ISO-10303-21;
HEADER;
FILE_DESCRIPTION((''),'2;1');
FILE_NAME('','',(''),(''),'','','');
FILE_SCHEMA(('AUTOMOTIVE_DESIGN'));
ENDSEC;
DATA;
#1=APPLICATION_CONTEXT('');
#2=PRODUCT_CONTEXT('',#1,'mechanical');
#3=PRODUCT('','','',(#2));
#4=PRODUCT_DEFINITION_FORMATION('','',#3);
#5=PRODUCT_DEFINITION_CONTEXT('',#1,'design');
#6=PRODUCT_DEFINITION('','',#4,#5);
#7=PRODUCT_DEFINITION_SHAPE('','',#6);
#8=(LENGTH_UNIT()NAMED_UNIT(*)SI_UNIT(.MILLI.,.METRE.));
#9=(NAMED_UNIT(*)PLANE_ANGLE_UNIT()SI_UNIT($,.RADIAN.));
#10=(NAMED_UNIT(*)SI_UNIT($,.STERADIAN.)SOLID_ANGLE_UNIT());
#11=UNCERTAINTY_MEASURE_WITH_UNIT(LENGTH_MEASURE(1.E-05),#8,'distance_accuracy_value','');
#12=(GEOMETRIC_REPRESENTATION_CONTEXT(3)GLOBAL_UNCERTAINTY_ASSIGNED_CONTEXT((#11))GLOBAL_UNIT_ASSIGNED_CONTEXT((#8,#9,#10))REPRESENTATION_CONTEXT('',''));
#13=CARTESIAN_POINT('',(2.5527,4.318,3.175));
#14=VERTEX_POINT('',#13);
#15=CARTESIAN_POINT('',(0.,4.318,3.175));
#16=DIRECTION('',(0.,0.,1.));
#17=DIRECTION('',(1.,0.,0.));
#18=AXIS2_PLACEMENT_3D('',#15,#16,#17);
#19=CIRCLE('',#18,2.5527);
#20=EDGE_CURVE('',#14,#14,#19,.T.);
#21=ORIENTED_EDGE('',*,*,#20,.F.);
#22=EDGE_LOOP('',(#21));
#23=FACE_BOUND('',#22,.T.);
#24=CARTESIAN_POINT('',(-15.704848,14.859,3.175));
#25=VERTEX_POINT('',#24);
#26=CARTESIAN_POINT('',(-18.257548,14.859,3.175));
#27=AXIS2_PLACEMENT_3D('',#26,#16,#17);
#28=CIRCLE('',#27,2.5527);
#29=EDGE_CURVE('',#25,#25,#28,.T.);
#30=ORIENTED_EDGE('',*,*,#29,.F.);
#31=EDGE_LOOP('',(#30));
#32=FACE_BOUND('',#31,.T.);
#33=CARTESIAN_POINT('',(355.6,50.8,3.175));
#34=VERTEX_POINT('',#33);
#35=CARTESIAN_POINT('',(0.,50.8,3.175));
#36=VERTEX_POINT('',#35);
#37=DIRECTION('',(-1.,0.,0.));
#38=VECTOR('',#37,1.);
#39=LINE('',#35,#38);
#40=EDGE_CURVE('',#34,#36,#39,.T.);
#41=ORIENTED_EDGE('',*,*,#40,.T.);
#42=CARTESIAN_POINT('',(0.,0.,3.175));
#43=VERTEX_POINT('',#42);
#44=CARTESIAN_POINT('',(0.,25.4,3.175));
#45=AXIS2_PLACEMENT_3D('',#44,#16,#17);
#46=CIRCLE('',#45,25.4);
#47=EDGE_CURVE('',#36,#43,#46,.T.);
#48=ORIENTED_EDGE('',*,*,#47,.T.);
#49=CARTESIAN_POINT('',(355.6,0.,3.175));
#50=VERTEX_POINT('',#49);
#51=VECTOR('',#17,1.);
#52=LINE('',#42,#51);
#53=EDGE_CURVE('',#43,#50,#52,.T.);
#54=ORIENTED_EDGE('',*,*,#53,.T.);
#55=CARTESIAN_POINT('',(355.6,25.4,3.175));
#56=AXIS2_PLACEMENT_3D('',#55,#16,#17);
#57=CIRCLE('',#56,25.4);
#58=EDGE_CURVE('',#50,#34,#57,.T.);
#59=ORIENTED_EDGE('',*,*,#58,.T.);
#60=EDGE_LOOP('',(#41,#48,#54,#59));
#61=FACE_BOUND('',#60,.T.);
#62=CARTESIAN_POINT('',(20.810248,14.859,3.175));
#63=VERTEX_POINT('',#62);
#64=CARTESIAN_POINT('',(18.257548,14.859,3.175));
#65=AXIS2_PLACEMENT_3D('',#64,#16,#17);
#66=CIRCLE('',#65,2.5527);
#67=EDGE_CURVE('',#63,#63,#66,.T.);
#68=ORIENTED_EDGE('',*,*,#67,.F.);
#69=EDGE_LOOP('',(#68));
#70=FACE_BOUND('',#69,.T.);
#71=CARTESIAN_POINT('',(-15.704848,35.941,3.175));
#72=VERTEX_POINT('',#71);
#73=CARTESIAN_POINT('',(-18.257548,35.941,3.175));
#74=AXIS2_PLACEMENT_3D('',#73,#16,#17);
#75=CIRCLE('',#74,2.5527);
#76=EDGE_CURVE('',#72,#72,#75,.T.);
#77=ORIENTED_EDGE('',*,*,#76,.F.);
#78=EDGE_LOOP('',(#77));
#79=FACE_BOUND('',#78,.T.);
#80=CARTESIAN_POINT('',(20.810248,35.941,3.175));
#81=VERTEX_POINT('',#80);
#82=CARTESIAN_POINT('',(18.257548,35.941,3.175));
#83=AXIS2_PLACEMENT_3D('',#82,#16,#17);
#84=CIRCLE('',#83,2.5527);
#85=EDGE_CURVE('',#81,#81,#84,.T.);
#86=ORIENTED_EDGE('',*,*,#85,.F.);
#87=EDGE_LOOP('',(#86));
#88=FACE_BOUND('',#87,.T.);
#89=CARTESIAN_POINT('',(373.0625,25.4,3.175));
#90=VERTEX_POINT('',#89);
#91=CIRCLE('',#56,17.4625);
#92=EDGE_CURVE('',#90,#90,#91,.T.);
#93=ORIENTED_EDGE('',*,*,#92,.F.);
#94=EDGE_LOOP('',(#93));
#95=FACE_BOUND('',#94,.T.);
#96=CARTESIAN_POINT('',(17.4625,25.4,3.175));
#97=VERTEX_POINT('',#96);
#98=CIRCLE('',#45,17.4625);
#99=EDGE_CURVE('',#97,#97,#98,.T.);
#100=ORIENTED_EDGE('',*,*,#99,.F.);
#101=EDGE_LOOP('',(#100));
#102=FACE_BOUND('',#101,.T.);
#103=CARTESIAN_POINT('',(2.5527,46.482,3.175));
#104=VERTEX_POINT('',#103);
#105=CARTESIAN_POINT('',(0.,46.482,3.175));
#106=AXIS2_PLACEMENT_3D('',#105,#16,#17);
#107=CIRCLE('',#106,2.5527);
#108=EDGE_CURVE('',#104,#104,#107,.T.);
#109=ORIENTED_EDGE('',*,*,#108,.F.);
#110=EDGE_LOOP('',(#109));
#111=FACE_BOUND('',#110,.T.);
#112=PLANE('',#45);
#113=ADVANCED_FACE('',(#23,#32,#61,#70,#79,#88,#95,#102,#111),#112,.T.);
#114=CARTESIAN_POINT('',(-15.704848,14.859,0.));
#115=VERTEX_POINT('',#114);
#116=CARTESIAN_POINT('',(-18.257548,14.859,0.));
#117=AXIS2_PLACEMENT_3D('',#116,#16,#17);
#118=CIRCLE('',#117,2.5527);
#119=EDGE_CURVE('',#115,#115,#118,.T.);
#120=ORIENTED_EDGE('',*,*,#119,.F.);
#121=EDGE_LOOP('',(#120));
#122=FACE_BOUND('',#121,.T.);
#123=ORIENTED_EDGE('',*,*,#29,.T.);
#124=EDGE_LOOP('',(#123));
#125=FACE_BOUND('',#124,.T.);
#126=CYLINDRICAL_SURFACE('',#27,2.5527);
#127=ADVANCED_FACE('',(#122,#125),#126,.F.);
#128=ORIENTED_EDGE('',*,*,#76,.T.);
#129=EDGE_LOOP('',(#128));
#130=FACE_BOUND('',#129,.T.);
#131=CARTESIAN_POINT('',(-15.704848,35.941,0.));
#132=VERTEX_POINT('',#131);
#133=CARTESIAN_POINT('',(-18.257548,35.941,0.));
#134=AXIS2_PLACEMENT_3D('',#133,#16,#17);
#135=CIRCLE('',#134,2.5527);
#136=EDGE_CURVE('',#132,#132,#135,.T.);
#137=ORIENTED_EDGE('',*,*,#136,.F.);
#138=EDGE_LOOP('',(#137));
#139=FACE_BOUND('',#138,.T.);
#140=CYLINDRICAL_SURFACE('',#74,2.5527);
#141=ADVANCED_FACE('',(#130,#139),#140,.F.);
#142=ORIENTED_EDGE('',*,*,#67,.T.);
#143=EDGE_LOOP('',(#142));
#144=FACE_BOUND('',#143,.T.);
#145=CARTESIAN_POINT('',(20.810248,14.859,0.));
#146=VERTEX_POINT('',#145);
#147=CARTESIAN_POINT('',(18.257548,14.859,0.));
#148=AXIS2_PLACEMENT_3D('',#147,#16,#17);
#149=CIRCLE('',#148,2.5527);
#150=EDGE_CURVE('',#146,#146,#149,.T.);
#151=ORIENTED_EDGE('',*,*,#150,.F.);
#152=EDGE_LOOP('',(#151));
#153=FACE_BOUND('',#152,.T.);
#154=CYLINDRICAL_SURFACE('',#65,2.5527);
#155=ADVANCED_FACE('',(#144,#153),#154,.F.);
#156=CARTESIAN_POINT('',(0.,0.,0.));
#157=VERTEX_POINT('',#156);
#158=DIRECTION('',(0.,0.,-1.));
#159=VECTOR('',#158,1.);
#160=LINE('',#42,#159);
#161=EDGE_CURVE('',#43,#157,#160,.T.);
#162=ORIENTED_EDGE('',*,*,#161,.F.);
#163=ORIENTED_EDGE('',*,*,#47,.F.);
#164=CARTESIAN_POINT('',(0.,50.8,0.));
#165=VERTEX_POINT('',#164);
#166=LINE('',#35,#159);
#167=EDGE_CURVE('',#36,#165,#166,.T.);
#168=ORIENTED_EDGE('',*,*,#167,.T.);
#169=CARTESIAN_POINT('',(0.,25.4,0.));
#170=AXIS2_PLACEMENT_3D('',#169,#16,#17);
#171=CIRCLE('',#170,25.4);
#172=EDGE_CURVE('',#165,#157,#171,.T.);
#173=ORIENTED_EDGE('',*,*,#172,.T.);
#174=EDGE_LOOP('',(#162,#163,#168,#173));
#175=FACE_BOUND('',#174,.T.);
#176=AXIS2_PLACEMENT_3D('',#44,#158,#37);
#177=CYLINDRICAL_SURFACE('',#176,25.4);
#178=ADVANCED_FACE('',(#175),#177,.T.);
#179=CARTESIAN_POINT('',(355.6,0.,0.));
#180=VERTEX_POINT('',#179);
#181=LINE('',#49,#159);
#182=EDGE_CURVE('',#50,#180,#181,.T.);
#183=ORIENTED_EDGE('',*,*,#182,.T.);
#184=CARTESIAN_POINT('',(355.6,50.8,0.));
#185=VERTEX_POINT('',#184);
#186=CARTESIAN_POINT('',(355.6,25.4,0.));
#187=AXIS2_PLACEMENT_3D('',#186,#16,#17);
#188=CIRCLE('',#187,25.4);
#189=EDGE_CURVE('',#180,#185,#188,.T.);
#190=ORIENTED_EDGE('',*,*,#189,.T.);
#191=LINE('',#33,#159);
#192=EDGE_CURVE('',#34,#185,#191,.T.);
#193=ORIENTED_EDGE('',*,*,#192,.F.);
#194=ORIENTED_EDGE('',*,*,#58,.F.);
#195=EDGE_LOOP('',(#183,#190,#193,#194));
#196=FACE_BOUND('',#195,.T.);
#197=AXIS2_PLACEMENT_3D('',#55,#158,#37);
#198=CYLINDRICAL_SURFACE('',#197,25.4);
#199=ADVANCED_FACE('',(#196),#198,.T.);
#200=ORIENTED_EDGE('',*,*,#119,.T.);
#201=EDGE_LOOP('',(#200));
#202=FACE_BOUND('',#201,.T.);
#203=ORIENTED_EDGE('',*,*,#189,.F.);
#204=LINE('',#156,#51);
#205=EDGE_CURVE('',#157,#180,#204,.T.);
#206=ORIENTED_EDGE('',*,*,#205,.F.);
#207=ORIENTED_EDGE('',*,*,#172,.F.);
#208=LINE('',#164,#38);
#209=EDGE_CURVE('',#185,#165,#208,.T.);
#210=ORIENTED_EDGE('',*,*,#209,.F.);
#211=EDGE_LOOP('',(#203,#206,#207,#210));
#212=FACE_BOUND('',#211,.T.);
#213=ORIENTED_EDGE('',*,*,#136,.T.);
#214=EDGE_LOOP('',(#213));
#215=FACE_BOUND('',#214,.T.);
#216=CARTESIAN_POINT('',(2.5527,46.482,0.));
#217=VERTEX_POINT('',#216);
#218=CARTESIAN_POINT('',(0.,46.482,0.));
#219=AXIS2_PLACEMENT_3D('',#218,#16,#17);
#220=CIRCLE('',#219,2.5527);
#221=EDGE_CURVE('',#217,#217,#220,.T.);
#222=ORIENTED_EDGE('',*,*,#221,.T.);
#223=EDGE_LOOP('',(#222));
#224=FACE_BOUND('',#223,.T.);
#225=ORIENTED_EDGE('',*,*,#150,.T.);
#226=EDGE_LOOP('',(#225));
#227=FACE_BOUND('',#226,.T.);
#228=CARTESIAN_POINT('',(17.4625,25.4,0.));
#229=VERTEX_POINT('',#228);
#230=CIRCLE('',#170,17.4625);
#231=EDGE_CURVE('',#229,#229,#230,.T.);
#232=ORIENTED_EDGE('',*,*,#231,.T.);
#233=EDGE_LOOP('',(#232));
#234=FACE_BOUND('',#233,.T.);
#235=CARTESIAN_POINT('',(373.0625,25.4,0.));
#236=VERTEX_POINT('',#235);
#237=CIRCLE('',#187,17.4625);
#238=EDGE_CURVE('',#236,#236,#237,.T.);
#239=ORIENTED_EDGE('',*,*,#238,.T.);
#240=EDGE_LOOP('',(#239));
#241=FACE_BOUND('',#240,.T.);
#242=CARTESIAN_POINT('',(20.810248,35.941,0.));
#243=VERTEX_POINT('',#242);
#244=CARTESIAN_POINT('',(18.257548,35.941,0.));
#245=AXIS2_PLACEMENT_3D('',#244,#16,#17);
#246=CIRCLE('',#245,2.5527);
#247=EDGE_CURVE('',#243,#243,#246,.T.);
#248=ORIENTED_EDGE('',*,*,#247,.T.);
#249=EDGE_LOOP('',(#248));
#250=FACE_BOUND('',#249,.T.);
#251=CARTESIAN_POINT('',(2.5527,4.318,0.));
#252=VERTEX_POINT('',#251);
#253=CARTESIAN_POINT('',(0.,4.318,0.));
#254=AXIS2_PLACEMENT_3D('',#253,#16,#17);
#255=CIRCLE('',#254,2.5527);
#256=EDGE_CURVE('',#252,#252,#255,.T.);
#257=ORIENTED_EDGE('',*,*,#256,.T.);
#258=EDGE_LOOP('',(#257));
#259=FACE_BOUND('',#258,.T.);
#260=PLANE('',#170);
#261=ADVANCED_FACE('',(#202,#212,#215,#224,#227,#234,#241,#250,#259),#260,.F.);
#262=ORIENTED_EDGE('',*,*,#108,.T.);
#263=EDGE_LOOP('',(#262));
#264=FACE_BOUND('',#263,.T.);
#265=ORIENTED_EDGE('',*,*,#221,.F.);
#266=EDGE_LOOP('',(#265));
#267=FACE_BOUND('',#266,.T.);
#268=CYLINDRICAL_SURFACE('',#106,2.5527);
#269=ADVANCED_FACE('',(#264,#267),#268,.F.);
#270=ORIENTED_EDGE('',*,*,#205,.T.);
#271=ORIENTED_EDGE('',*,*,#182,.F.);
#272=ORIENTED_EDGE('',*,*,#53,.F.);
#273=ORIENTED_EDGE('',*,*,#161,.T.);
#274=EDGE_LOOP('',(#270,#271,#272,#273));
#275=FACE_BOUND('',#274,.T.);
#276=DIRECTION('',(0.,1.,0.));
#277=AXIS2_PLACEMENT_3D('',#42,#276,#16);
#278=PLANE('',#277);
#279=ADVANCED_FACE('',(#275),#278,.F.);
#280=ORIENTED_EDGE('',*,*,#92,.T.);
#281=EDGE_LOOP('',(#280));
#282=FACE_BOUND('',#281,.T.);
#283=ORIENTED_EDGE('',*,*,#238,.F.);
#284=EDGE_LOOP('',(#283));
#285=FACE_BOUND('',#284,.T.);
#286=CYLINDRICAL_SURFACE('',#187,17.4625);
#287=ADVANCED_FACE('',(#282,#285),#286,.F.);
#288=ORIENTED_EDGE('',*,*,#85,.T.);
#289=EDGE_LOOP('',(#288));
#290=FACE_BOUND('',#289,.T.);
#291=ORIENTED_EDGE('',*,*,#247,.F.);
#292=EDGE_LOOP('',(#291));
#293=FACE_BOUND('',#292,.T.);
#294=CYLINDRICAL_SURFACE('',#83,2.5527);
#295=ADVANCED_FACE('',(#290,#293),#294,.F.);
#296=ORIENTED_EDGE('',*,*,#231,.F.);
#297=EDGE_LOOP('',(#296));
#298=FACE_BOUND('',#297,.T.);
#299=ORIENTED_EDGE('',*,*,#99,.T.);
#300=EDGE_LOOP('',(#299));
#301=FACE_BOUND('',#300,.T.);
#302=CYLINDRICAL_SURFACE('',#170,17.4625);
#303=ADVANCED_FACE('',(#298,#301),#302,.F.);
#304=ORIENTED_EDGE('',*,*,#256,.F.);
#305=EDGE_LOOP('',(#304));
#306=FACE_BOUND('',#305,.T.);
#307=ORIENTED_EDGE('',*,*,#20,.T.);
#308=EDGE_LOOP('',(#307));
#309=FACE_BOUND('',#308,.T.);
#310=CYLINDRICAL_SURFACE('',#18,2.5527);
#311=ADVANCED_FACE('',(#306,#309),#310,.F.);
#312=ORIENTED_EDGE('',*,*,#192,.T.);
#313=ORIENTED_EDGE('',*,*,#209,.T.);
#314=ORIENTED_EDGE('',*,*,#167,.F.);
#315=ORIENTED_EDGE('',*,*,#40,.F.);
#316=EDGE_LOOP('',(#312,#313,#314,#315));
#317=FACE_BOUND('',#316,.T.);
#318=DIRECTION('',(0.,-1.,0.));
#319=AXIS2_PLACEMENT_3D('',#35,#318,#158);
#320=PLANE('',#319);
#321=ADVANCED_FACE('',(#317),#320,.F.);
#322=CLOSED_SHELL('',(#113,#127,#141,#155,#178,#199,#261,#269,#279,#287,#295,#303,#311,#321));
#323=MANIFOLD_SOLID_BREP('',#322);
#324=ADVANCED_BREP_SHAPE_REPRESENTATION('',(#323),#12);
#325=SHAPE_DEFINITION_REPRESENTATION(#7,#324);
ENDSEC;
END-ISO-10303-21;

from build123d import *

# Parameters (mm, degrees)
BOSS_EXTRUDE1_DEPTH    = 3.175
SKETCH2_R              = 17.4625
CUT_EXTRUDE1_DEPTH     = 385.384860036
F_10_CLEARANCE_HOLE1_D = 5.1054


with BuildPart() as part:
    # Sketch1 → Boss-Extrude1 (new body)
    with BuildSketch(Plane.XY):
        with BuildLine():
            Line((0, 0), (355.6, 0))
            ThreePointArc((355.6, 0), (381, 25.4), (355.6, 50.8))
            Line((355.6, 50.8), (0, 50.8))
            ThreePointArc((0, 50.8), (-25.4, 25.4), (0, 0))
        make_face()
    extrude(amount=BOSS_EXTRUDE1_DEPTH)

    # Sketch2 → Cut-Extrude1 (cut, through all)
    with BuildSketch(Plane.XY.offset(3.175)):
        with Locations((0, 25.4)):
            Circle(SKETCH2_R)
        with Locations((355.6, 25.4)):
            Circle(SKETCH2_R)
    extrude(amount=-CUT_EXTRUDE1_DEPTH, mode=Mode.SUBTRACT)

    # #10 Clearance Hole1 (through all)
    with Locations(Plane(origin=(18.257547563, 35.941, 3.175), x_dir=(1, 0, 0), z_dir=(0, 0, 1))):
        with Locations((0, 0), (0, -21.082), (-18.257547563, -31.623), (-36.515095126, -21.082), (-36.515095126, 0), (-18.257547563, 10.541)):
            Hole(F_10_CLEARANCE_HOLE1_D / 2)


solid = part.part
